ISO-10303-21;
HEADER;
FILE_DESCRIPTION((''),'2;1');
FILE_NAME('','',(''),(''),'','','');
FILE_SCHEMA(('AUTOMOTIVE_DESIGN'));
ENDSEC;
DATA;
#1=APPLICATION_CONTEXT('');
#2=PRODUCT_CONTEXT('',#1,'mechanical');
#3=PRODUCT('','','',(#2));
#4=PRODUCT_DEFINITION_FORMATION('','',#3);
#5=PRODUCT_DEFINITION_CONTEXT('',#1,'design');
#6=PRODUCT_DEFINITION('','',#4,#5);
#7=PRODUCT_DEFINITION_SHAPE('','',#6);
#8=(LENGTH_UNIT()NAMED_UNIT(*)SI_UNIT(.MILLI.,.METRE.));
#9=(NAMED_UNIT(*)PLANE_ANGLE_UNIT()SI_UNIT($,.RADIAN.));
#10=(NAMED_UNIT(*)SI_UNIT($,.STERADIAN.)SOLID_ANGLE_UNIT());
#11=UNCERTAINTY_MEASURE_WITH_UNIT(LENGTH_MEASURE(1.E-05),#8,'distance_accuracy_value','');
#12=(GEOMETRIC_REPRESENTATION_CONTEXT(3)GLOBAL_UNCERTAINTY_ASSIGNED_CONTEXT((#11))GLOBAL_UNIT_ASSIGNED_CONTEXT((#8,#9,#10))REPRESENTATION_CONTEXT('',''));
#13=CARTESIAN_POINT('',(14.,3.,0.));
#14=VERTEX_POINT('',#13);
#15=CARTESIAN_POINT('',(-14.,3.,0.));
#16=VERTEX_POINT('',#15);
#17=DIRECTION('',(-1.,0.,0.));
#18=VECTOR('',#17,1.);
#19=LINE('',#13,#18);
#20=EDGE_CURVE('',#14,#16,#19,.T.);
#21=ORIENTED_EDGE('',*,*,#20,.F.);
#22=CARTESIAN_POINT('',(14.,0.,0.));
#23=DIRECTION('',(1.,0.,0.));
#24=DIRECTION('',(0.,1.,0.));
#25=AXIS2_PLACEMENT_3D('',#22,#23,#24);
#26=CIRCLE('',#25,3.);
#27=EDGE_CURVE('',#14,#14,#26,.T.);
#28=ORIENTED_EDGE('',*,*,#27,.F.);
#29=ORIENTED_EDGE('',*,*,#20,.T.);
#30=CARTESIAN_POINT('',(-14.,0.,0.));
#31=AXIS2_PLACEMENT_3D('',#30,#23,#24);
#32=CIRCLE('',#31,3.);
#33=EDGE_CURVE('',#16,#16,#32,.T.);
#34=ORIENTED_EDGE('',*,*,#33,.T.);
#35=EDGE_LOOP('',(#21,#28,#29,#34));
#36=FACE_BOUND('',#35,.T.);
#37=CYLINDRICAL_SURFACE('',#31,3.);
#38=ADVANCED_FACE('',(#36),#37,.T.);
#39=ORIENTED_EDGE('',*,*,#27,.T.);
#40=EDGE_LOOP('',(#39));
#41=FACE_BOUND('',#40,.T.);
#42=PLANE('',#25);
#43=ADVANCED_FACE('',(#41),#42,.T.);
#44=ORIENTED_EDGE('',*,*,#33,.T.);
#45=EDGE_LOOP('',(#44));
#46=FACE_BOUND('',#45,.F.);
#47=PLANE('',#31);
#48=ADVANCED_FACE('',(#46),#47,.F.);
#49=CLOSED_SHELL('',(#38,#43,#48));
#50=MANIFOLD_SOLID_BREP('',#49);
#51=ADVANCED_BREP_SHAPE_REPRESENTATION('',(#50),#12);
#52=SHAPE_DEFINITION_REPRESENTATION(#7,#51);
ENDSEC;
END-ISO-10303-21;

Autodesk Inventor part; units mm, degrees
ref_plane "YZ Plane" through (0, 0, 0) normal (1, 0, 0) x (0, 1, 0)
ref_plane "XZ Plane" through (0, 0, 0) normal (0, 1, 0) x (-1, 0, 0)
sketch "Szkic1" plane through (0, 0, 0) normal (0, 0, 1) x (1, 0, 0)
  line L0 (14, 3) -> (14, 0)
  line L1 (-14, 0) -> (14, 0)
  line L2 (-19.6, 0) -> (19.6, 0) projected
  line L3 (0, 3.6) -> (0, -0.6) projected
  line L4 (-14, 3) -> (-14, 0)
  line L5 (0, 3) -> (0, 0) construction
  line L6 (-19.6, 0) -> (19.6, 0) projected
  line L7 (-14, 3) -> (14, 3)
  dimension "d13" = 6
  dimension "d87" = 28
  dimension "d88" = 14
revolve "Bryła" add sketch "Szkic1" angle 360 about axis through (-14, 0, 0) along (1, 0, 0)
thread "Gwint1" size "M6x1" class "6g" standard "ISO Metric profile" length 28
ref_plane "Work Plane1" through (2.75, 0, 0) normal (0, -1, 0) x (1, 0, 0)
equation "\"d13\" = NND"
equation "\"d87\" = NLG"
equation "\"d88\" = 0.5 * NLG"
equation "\"d1\" = GEL"
equation "\"NLG\" = 28"
equation "\"GEL\" = NLG"
equation "\"GAL\" = 0.61345 * PTC"
equation "\"SPD\" = 4.596"
equation "\"d0\" = NND"
equation "\"GUL\" = 0.61345 * PTC"
equation "\"NND\" = 6"
equation "\"GUL1\" = GUL"
equation "\"GAL1\" = GAL"
equation "\"d89\" = -GEL + GUL1"
equation "\"d90\" = -GUL - GEL"
equation "\"PTC\" = 1"
equation "\"THREADDIA\" = 6"
equation "\"TOA\" = 30deg"
equation "\"GD1\" = THREADDIA - 1.2269 * PTC"
properties part number "DIN 976-1 - M6 x 28 - A" material "Stal, miękka"
